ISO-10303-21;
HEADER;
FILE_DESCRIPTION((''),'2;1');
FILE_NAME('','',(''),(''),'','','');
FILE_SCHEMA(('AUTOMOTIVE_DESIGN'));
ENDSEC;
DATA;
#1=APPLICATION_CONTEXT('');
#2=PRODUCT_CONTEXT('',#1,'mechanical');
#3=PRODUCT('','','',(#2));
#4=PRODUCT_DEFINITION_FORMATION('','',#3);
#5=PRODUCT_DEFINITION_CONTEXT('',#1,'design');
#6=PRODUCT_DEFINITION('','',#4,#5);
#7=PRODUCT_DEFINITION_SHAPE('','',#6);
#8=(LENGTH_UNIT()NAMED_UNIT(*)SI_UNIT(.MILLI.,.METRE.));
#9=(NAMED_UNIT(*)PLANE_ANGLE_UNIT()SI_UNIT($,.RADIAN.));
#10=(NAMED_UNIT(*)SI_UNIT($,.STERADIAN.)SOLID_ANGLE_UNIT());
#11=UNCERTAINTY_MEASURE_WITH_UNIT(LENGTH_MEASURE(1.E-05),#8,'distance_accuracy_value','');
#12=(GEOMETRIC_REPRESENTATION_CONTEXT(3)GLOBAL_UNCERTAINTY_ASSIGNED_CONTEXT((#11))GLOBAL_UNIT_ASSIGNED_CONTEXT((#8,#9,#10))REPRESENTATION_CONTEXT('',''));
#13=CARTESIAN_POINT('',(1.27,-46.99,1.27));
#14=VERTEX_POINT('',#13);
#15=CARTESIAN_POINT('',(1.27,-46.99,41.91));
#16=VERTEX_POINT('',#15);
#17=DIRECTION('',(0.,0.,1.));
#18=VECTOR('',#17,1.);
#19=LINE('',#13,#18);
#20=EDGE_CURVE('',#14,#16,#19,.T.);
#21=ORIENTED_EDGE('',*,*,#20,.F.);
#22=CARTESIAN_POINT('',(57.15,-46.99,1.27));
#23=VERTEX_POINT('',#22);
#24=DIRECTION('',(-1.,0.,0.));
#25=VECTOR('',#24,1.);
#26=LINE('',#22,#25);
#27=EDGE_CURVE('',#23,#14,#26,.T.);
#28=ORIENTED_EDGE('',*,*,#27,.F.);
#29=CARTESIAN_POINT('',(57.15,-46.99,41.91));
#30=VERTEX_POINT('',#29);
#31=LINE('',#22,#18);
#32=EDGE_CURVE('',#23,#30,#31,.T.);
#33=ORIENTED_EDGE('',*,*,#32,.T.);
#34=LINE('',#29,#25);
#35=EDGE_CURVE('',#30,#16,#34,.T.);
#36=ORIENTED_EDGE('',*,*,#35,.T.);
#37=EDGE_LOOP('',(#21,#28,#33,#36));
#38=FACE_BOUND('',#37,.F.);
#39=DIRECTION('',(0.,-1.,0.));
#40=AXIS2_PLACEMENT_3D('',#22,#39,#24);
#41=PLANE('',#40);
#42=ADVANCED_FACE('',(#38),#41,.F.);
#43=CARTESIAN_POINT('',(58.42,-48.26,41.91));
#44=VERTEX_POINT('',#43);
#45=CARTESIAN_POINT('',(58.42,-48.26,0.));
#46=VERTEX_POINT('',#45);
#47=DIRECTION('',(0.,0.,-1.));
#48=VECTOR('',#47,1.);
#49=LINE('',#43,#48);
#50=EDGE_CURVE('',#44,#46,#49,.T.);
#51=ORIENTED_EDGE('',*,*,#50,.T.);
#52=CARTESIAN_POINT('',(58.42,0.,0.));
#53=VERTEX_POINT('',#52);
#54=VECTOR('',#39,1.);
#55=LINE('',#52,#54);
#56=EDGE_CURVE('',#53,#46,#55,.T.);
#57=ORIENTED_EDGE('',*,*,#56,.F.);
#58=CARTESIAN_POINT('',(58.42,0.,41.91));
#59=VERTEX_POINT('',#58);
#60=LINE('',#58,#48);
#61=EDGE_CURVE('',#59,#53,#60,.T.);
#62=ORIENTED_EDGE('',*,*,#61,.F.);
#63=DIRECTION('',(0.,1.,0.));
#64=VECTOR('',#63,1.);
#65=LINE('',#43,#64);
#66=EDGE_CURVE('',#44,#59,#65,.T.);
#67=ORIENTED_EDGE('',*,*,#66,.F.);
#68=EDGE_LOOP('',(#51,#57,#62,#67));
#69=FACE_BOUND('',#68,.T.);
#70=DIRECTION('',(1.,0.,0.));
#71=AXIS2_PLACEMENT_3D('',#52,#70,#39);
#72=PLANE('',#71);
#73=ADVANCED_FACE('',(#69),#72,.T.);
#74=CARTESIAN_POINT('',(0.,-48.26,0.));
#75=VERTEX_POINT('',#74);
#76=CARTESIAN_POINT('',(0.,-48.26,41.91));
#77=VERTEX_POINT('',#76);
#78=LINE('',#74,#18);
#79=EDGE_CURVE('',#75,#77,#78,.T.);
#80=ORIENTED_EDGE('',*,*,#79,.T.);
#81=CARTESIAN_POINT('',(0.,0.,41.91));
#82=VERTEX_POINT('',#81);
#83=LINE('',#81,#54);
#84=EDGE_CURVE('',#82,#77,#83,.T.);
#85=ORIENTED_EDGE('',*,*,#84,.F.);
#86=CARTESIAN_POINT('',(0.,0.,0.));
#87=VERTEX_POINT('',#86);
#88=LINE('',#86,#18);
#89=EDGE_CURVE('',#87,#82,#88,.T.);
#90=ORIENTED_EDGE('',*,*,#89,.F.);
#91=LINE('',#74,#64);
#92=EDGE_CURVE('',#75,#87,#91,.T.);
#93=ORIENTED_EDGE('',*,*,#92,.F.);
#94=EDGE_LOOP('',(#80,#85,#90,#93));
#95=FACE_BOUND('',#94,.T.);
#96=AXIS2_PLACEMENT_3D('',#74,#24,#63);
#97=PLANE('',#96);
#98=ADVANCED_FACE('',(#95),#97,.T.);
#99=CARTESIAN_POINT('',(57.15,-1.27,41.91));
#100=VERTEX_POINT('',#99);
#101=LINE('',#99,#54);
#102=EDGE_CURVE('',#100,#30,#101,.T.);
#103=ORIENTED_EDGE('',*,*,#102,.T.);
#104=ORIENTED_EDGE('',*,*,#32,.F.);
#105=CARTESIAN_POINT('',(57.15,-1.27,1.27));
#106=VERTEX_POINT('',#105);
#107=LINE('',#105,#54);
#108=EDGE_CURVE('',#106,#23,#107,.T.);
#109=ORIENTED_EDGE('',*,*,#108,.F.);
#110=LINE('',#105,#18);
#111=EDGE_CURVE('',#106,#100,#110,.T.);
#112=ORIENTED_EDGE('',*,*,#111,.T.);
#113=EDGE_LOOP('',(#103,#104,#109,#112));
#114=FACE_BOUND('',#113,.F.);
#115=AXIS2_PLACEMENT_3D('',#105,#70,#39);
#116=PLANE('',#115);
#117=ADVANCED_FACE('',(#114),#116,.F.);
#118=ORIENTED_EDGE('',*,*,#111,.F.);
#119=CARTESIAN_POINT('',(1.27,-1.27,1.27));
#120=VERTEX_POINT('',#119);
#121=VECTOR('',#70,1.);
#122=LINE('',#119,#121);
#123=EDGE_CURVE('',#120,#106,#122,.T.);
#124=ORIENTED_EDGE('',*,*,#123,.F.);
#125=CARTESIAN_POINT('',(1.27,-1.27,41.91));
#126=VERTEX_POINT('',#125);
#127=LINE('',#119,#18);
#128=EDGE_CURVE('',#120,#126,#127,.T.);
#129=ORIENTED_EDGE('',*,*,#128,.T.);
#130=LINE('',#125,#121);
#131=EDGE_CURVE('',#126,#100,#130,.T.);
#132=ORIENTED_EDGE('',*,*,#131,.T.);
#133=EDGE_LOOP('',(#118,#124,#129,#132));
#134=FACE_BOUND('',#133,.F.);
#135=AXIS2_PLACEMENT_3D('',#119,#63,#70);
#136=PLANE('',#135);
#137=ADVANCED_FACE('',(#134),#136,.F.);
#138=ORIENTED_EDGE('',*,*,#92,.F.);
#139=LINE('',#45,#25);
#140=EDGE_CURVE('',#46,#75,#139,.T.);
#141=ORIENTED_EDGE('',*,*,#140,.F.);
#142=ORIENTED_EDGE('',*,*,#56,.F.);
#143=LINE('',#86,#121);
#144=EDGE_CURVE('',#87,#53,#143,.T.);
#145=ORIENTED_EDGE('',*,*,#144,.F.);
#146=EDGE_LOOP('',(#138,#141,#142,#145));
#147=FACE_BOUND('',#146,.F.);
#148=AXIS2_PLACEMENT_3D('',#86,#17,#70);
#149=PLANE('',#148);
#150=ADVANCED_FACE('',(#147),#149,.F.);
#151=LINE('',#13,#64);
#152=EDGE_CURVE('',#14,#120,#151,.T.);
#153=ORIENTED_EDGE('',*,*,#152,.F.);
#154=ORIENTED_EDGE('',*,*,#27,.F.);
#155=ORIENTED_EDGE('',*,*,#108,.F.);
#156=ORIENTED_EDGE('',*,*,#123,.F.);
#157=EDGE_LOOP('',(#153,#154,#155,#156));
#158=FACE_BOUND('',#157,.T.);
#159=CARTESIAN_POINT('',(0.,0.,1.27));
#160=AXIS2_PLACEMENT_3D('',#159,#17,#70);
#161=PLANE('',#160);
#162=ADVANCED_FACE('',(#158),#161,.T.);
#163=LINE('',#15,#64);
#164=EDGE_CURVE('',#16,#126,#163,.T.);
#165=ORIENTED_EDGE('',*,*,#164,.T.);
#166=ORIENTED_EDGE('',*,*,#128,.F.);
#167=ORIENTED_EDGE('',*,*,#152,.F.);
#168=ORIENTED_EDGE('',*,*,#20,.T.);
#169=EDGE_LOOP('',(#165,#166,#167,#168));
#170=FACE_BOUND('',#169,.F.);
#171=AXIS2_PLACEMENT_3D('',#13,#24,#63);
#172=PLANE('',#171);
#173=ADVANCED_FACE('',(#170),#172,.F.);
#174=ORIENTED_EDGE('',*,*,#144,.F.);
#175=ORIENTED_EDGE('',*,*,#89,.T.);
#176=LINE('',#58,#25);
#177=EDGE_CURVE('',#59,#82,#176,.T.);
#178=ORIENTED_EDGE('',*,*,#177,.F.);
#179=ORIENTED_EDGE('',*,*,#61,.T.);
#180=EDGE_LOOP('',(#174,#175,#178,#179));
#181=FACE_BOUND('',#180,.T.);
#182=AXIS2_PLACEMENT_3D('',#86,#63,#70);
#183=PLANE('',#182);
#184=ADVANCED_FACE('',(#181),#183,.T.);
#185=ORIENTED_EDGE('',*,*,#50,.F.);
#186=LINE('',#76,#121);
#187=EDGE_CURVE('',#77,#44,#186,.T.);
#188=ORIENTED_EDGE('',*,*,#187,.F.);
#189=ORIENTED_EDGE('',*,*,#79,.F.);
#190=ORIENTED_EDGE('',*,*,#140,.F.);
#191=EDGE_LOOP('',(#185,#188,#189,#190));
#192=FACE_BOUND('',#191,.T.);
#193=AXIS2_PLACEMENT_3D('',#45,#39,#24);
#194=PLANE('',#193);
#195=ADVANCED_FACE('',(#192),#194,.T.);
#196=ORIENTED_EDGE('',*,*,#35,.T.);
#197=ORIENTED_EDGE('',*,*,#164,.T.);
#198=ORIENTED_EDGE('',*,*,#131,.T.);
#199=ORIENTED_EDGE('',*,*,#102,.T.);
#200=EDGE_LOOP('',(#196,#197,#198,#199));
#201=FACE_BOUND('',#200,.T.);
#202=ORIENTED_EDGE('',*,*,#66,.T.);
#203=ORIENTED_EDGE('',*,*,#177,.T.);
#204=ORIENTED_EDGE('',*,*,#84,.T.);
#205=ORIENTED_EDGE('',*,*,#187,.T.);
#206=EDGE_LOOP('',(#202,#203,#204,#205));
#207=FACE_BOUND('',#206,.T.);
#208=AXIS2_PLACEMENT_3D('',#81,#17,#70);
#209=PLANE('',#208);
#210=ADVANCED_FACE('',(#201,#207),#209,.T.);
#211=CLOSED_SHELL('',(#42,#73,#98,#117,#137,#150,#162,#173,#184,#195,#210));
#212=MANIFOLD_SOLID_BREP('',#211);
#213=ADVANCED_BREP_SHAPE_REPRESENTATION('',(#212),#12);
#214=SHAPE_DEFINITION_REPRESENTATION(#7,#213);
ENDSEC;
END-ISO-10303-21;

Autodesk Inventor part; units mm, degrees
ref_plane "YZ Plane" through (0, 0, 0) normal (1, 0, 0) x (0, 1, 0)
ref_plane "XZ Plane" through (0, 0, 0) normal (0, 1, 0) x (-1, 0, 0)
ref_plane "XY Plane" through (0, 0, 0) normal (0, 0, 1) x (1, 0, 0)
sketch "Sketch1" plane through (0, 0, 0) normal (0, 0, 1) x (1, 0, 0)
  line L0 (0, 0) -> (58.42, 0)
  line L1 (58.42, 0) -> (58.42, -48.26)
  line L2 (58.42, -48.26) -> (0, -48.26)
  line L3 (0, -48.26) -> (0, 0)
  dimension "d0" = 58.42
  dimension "d1" = 48.26
extrude "Extrusion1" add sketch "Sketch1" along normal blind 1.27
sketch "Sketch2" plane through (0, 0, 1.27) normal (0, 0, 1) x (1, 0, 0)
  line L0 (58.42, 0) -> (0, 0) projected
  line L1 (0, 0) -> (0, -48.26) projected
  line L2 (0, -48.26) -> (58.42, -48.26) projected
  line L3 (58.42, -48.26) -> (58.42, 0) projected
  line L4 (1.27, -1.27) -> (57.15, -1.27)
  line L5 (57.15, -1.27) -> (57.15, -46.99)
  line L6 (57.15, -46.99) -> (1.27, -46.99)
  line L7 (1.27, -46.99) -> (1.27, -1.27)
  dimension "d4" = 1.27
  dimension "d5" = 1.27
  dimension "d6" = 1.27
  dimension "d7" = 1.27
extrude "Extrusion2" add sketch "Sketch2" along normal blind 40.64
properties part number "Box Bottom"
